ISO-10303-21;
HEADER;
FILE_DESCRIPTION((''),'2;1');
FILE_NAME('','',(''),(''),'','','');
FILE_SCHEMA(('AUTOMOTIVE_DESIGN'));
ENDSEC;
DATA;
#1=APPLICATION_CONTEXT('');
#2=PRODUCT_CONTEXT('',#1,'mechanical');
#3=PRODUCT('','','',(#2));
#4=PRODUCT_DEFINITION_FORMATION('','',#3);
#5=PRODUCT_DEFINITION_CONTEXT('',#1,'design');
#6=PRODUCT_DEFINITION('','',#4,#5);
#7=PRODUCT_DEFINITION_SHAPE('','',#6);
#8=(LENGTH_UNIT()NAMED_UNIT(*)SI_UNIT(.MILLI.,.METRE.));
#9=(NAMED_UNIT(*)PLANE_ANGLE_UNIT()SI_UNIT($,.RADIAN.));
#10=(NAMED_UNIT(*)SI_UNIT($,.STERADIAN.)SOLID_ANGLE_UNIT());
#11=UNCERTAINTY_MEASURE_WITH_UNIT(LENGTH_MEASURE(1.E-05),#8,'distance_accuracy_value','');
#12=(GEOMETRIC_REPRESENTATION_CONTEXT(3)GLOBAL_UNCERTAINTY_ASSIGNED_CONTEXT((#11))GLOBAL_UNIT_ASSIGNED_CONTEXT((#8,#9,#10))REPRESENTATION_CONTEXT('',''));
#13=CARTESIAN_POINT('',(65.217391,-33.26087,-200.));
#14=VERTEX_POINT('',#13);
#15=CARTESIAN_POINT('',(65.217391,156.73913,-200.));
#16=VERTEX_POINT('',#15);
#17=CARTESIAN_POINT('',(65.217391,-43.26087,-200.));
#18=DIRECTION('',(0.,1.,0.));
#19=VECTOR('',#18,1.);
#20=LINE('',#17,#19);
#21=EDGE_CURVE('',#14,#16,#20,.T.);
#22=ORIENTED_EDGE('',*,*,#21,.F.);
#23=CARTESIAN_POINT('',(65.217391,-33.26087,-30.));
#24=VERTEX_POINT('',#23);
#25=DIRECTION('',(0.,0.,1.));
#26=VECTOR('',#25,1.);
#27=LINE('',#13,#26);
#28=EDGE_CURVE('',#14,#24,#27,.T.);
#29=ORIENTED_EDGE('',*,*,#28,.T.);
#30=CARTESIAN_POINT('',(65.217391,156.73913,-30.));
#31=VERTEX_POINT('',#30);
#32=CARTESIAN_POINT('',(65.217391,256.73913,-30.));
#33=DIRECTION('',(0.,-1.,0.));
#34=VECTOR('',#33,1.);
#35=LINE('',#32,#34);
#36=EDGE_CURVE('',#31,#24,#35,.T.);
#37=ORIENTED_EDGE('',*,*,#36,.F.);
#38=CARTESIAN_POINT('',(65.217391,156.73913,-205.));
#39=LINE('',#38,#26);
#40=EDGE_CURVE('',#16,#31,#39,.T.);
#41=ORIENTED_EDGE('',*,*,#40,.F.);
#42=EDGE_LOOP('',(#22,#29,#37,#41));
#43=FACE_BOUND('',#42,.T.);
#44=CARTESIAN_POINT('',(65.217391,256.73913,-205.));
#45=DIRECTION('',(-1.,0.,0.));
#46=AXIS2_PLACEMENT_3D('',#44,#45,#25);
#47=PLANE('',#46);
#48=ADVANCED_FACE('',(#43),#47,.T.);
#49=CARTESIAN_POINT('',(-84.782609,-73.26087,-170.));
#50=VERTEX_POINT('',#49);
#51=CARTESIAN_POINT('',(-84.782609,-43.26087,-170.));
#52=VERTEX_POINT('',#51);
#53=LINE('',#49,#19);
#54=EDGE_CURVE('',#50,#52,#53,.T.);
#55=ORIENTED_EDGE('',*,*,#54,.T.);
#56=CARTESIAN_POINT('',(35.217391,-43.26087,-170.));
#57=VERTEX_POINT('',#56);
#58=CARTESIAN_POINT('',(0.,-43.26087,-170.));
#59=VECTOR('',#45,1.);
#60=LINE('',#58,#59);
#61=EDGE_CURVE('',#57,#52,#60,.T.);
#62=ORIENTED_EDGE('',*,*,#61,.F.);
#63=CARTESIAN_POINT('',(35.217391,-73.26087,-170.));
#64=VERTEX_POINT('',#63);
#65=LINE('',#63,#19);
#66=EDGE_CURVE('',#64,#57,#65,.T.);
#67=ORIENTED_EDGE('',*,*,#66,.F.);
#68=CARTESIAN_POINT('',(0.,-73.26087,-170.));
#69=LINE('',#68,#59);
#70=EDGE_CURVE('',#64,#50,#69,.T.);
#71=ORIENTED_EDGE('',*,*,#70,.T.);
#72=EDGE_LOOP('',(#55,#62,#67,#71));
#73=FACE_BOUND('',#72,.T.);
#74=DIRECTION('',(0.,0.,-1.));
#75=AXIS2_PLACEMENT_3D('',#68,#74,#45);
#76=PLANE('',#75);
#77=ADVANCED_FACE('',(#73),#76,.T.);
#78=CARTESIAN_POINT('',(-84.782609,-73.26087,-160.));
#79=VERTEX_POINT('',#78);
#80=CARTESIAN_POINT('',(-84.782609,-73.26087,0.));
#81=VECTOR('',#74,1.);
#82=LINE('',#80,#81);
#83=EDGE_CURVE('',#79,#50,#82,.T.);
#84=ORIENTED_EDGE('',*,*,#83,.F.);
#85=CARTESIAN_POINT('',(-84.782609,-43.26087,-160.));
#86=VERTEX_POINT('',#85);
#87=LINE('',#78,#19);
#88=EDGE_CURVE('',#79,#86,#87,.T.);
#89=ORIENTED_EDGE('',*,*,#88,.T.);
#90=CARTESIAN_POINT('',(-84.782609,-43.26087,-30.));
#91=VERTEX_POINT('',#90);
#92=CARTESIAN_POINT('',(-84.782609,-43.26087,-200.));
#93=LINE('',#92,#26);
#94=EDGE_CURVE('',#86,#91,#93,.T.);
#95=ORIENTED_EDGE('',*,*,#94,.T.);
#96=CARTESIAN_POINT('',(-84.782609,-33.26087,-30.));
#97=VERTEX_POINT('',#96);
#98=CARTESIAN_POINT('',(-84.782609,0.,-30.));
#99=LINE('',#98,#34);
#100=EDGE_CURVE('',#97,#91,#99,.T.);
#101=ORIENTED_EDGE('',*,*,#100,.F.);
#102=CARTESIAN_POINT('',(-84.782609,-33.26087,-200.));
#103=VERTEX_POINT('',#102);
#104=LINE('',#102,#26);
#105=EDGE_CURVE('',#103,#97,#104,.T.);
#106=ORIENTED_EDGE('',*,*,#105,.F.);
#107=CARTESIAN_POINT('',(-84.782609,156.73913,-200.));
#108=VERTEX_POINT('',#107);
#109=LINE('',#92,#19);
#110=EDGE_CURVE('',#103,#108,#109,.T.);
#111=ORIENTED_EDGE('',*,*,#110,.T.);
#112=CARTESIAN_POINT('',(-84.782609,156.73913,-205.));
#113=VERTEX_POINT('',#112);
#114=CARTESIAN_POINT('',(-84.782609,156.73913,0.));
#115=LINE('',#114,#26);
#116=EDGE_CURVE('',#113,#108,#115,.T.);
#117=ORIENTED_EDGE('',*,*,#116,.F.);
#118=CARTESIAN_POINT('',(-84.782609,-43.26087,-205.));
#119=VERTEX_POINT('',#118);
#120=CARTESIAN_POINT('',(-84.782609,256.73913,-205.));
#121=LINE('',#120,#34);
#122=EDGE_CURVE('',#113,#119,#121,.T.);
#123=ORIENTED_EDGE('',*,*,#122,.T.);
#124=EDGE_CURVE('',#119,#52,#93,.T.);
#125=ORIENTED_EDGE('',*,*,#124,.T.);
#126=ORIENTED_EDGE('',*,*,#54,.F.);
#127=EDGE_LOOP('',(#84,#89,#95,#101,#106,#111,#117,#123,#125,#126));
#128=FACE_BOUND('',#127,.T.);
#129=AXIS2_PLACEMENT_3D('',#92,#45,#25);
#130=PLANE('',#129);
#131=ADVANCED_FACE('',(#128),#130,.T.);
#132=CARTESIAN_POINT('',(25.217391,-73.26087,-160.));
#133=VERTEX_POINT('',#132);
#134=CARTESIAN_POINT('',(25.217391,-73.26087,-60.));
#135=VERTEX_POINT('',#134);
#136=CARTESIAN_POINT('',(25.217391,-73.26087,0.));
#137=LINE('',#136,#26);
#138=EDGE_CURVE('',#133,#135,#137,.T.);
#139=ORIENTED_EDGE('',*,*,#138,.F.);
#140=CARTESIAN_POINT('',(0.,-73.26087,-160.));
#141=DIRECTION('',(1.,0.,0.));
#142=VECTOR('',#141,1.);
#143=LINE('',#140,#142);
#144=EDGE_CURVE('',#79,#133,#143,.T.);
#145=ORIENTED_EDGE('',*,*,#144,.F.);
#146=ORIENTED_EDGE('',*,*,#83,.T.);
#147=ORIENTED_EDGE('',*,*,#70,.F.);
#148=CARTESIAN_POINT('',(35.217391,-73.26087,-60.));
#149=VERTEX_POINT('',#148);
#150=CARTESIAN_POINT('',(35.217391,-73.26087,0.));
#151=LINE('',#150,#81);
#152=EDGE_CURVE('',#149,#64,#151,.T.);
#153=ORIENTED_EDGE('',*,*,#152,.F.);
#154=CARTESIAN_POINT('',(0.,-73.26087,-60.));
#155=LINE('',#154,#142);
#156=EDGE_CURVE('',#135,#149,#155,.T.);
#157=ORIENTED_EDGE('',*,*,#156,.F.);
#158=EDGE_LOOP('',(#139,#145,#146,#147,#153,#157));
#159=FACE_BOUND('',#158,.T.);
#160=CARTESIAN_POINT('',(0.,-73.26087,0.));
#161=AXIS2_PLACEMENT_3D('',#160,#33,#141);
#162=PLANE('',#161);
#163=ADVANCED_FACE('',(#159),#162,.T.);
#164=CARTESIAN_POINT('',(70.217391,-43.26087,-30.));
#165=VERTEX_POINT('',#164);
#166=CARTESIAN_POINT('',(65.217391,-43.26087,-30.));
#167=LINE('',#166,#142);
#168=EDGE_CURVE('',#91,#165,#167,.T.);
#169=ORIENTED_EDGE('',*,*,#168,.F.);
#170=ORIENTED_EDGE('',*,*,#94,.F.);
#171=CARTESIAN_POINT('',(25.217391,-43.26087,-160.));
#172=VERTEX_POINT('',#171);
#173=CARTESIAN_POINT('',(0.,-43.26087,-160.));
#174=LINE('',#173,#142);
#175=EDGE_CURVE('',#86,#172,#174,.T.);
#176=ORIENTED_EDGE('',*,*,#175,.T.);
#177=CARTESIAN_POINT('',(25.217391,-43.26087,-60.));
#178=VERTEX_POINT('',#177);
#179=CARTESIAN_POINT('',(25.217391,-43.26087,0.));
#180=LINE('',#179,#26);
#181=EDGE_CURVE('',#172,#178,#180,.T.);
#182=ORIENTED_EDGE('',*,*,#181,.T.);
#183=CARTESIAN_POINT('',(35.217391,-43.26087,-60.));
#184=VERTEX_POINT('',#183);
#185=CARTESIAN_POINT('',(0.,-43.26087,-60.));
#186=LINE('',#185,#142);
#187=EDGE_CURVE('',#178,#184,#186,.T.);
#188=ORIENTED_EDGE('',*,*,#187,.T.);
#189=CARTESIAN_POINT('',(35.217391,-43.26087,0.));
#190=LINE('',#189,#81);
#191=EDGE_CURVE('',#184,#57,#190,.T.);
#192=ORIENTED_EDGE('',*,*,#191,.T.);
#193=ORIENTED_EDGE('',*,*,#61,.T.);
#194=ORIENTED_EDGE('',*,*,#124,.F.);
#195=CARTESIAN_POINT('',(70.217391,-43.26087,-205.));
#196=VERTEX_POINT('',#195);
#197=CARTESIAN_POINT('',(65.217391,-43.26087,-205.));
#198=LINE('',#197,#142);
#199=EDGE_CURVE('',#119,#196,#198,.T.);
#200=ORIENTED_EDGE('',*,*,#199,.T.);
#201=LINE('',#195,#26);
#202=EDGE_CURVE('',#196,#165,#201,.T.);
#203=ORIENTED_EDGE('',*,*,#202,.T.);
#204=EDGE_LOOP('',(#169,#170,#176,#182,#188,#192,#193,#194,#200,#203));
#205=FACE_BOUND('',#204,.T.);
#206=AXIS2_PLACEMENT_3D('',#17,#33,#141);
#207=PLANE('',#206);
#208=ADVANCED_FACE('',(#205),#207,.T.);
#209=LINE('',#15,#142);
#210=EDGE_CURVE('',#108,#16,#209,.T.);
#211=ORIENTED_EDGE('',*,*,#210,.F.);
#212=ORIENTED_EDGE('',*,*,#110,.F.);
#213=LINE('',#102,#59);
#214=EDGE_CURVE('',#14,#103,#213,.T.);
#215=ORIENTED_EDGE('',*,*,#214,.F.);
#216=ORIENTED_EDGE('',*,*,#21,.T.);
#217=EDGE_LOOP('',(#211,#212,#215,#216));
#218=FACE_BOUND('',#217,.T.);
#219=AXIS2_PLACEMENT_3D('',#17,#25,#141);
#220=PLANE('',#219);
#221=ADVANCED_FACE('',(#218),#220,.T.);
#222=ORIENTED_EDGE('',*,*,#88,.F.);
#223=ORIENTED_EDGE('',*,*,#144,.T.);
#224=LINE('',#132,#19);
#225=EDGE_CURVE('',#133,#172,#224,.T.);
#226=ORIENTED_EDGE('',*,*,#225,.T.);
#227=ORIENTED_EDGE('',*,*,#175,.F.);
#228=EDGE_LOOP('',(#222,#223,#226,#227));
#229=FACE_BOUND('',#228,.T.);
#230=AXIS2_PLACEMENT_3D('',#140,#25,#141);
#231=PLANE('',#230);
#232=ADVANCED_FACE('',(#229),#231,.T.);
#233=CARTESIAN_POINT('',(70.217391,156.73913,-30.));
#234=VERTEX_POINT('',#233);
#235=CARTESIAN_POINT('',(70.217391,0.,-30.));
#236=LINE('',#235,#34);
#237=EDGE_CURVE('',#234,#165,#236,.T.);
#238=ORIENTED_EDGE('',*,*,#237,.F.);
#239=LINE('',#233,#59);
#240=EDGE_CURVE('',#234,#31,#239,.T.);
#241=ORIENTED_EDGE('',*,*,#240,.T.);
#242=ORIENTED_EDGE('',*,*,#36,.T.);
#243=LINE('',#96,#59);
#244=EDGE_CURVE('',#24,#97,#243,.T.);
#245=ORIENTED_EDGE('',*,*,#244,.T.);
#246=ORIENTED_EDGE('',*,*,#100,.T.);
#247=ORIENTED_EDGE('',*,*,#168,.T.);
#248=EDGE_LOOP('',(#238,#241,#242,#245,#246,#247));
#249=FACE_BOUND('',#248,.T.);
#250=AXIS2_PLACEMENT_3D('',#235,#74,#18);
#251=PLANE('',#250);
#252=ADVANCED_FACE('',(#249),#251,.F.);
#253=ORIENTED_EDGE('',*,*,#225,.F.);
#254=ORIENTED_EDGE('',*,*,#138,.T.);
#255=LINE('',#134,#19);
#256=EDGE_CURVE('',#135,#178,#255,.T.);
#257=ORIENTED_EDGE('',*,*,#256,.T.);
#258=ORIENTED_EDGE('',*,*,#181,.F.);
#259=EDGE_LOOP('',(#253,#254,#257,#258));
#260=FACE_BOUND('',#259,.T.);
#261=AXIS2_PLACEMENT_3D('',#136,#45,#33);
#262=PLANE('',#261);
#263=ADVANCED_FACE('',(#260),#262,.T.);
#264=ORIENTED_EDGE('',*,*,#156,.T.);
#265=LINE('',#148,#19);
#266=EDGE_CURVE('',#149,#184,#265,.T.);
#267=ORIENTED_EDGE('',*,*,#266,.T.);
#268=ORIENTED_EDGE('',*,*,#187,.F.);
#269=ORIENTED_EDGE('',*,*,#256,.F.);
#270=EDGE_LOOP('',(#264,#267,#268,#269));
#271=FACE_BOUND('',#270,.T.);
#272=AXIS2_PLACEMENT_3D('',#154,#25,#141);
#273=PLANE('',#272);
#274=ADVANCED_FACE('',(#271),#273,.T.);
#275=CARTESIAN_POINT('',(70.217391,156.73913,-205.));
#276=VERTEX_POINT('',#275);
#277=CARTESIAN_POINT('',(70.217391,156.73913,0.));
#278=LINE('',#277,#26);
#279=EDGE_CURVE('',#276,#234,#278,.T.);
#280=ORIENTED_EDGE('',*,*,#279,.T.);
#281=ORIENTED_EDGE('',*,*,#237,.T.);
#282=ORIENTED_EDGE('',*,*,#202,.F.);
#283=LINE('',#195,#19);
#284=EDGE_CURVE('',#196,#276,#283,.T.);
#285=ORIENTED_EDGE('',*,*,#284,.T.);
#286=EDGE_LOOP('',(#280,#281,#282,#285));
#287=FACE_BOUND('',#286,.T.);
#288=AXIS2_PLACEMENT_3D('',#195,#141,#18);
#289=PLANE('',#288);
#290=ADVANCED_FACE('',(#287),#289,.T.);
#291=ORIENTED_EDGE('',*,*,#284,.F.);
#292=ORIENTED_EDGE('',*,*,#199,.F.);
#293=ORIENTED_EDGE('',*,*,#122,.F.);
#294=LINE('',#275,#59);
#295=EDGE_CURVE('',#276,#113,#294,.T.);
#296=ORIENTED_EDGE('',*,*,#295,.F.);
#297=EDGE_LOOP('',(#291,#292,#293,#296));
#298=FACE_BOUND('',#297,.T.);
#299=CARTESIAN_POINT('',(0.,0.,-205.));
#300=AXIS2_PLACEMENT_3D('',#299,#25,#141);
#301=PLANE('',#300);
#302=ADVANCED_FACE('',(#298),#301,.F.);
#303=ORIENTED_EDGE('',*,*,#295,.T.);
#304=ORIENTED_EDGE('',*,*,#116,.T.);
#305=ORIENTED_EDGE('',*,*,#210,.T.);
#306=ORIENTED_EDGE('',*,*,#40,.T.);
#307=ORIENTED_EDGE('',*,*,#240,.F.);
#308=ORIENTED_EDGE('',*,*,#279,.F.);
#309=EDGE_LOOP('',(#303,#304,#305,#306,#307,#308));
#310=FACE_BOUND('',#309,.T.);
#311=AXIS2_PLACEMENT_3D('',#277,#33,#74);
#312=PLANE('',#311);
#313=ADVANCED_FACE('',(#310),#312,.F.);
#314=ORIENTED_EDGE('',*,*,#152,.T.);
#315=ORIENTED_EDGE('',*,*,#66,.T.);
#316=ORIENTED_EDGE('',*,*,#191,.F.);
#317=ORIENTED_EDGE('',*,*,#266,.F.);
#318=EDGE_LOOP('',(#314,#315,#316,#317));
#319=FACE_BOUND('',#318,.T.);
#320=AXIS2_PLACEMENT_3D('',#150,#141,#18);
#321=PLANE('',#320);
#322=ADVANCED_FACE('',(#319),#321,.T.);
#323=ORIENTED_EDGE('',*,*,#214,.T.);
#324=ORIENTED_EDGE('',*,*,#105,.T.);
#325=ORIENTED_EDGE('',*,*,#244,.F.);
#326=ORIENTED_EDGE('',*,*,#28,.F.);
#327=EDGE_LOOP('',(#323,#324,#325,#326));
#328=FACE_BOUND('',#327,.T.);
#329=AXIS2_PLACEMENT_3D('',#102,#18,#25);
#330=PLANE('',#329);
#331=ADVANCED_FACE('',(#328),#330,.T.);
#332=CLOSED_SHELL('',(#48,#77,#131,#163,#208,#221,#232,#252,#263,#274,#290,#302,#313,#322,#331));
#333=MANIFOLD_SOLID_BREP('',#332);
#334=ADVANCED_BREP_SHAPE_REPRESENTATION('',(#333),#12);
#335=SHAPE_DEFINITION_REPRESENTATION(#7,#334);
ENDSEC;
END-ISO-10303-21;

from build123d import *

# Parameters (mm, degrees)
SKETCH1_W               = 150
SKETCH1_H               = 10
BOSS_EXTRUDE1_DEPTH     = 200
BOSS_EXTRUDE2_DEPTH     = 205
SKETCH3_W               = 5
SKETCH3_H               = 300
BOSS_EXTRUDE3_DEPTH     = 150
BOSS_EXTRUDE4_DEPTH     = 30
CUT_EXTRUDE3_DEPTH      = 151
CUT_EXTRUDE3_DEPTH_BACK = 6


with BuildPart() as part:
    # Sketch1 → Boss-Extrude1 (new body)
    with BuildSketch(Plane.XY):
        with Locations((-9.782608696, -38.260869565)):
            Rectangle(SKETCH1_W, SKETCH1_H)
    extrude(amount=-BOSS_EXTRUDE1_DEPTH)

    # Sketch2 → Boss-Extrude2 (add)
    with BuildSketch(Plane.XY):
        Polygon((65.217391304, -43.260869565), (70.217391304, -43.260869565), (70.217391304, 256.739130435), (65.217391304, 256.739130435), (65.217391304, -33.260869565), align=None)
    extrude(amount=-BOSS_EXTRUDE2_DEPTH)

    # Sketch3 → Boss-Extrude3 (add)
    with BuildSketch(Plane.ZY.offset(84.782608696)):
        with Locations((-202.5, 106.739130435)):
            Rectangle(SKETCH3_W, SKETCH3_H)
    extrude(amount=-BOSS_EXTRUDE3_DEPTH)

    # Sketch4 → Boss-Extrude4 (add)
    with BuildSketch(Plane.XZ.offset(43.260869565)):
        Polygon((25.217391304, -160), (-84.782608696, -160), (-84.782608696, -170), (35.217391304, -170), (35.217391304, -60), (25.217391304, -60), align=None)
    extrude(amount=BOSS_EXTRUDE4_DEPTH)

    # Sketch5 → Cut-Extrude3 (cut, two sides)
    with BuildSketch(Plane.ZY.offset(-65.217391304)) as cut_extrude3_sk:
        Polygon((-205, 256.739130435), (-205, 156.739130435), (-30, 156.739130435), (-30, -73.260869565), (0, -73.260869565), (0, 256.739130435), align=None)
    extrude(amount=CUT_EXTRUDE3_DEPTH, mode=Mode.SUBTRACT)
    extrude(cut_extrude3_sk.sketch, amount=-CUT_EXTRUDE3_DEPTH_BACK, mode=Mode.SUBTRACT)


solid = part.part
